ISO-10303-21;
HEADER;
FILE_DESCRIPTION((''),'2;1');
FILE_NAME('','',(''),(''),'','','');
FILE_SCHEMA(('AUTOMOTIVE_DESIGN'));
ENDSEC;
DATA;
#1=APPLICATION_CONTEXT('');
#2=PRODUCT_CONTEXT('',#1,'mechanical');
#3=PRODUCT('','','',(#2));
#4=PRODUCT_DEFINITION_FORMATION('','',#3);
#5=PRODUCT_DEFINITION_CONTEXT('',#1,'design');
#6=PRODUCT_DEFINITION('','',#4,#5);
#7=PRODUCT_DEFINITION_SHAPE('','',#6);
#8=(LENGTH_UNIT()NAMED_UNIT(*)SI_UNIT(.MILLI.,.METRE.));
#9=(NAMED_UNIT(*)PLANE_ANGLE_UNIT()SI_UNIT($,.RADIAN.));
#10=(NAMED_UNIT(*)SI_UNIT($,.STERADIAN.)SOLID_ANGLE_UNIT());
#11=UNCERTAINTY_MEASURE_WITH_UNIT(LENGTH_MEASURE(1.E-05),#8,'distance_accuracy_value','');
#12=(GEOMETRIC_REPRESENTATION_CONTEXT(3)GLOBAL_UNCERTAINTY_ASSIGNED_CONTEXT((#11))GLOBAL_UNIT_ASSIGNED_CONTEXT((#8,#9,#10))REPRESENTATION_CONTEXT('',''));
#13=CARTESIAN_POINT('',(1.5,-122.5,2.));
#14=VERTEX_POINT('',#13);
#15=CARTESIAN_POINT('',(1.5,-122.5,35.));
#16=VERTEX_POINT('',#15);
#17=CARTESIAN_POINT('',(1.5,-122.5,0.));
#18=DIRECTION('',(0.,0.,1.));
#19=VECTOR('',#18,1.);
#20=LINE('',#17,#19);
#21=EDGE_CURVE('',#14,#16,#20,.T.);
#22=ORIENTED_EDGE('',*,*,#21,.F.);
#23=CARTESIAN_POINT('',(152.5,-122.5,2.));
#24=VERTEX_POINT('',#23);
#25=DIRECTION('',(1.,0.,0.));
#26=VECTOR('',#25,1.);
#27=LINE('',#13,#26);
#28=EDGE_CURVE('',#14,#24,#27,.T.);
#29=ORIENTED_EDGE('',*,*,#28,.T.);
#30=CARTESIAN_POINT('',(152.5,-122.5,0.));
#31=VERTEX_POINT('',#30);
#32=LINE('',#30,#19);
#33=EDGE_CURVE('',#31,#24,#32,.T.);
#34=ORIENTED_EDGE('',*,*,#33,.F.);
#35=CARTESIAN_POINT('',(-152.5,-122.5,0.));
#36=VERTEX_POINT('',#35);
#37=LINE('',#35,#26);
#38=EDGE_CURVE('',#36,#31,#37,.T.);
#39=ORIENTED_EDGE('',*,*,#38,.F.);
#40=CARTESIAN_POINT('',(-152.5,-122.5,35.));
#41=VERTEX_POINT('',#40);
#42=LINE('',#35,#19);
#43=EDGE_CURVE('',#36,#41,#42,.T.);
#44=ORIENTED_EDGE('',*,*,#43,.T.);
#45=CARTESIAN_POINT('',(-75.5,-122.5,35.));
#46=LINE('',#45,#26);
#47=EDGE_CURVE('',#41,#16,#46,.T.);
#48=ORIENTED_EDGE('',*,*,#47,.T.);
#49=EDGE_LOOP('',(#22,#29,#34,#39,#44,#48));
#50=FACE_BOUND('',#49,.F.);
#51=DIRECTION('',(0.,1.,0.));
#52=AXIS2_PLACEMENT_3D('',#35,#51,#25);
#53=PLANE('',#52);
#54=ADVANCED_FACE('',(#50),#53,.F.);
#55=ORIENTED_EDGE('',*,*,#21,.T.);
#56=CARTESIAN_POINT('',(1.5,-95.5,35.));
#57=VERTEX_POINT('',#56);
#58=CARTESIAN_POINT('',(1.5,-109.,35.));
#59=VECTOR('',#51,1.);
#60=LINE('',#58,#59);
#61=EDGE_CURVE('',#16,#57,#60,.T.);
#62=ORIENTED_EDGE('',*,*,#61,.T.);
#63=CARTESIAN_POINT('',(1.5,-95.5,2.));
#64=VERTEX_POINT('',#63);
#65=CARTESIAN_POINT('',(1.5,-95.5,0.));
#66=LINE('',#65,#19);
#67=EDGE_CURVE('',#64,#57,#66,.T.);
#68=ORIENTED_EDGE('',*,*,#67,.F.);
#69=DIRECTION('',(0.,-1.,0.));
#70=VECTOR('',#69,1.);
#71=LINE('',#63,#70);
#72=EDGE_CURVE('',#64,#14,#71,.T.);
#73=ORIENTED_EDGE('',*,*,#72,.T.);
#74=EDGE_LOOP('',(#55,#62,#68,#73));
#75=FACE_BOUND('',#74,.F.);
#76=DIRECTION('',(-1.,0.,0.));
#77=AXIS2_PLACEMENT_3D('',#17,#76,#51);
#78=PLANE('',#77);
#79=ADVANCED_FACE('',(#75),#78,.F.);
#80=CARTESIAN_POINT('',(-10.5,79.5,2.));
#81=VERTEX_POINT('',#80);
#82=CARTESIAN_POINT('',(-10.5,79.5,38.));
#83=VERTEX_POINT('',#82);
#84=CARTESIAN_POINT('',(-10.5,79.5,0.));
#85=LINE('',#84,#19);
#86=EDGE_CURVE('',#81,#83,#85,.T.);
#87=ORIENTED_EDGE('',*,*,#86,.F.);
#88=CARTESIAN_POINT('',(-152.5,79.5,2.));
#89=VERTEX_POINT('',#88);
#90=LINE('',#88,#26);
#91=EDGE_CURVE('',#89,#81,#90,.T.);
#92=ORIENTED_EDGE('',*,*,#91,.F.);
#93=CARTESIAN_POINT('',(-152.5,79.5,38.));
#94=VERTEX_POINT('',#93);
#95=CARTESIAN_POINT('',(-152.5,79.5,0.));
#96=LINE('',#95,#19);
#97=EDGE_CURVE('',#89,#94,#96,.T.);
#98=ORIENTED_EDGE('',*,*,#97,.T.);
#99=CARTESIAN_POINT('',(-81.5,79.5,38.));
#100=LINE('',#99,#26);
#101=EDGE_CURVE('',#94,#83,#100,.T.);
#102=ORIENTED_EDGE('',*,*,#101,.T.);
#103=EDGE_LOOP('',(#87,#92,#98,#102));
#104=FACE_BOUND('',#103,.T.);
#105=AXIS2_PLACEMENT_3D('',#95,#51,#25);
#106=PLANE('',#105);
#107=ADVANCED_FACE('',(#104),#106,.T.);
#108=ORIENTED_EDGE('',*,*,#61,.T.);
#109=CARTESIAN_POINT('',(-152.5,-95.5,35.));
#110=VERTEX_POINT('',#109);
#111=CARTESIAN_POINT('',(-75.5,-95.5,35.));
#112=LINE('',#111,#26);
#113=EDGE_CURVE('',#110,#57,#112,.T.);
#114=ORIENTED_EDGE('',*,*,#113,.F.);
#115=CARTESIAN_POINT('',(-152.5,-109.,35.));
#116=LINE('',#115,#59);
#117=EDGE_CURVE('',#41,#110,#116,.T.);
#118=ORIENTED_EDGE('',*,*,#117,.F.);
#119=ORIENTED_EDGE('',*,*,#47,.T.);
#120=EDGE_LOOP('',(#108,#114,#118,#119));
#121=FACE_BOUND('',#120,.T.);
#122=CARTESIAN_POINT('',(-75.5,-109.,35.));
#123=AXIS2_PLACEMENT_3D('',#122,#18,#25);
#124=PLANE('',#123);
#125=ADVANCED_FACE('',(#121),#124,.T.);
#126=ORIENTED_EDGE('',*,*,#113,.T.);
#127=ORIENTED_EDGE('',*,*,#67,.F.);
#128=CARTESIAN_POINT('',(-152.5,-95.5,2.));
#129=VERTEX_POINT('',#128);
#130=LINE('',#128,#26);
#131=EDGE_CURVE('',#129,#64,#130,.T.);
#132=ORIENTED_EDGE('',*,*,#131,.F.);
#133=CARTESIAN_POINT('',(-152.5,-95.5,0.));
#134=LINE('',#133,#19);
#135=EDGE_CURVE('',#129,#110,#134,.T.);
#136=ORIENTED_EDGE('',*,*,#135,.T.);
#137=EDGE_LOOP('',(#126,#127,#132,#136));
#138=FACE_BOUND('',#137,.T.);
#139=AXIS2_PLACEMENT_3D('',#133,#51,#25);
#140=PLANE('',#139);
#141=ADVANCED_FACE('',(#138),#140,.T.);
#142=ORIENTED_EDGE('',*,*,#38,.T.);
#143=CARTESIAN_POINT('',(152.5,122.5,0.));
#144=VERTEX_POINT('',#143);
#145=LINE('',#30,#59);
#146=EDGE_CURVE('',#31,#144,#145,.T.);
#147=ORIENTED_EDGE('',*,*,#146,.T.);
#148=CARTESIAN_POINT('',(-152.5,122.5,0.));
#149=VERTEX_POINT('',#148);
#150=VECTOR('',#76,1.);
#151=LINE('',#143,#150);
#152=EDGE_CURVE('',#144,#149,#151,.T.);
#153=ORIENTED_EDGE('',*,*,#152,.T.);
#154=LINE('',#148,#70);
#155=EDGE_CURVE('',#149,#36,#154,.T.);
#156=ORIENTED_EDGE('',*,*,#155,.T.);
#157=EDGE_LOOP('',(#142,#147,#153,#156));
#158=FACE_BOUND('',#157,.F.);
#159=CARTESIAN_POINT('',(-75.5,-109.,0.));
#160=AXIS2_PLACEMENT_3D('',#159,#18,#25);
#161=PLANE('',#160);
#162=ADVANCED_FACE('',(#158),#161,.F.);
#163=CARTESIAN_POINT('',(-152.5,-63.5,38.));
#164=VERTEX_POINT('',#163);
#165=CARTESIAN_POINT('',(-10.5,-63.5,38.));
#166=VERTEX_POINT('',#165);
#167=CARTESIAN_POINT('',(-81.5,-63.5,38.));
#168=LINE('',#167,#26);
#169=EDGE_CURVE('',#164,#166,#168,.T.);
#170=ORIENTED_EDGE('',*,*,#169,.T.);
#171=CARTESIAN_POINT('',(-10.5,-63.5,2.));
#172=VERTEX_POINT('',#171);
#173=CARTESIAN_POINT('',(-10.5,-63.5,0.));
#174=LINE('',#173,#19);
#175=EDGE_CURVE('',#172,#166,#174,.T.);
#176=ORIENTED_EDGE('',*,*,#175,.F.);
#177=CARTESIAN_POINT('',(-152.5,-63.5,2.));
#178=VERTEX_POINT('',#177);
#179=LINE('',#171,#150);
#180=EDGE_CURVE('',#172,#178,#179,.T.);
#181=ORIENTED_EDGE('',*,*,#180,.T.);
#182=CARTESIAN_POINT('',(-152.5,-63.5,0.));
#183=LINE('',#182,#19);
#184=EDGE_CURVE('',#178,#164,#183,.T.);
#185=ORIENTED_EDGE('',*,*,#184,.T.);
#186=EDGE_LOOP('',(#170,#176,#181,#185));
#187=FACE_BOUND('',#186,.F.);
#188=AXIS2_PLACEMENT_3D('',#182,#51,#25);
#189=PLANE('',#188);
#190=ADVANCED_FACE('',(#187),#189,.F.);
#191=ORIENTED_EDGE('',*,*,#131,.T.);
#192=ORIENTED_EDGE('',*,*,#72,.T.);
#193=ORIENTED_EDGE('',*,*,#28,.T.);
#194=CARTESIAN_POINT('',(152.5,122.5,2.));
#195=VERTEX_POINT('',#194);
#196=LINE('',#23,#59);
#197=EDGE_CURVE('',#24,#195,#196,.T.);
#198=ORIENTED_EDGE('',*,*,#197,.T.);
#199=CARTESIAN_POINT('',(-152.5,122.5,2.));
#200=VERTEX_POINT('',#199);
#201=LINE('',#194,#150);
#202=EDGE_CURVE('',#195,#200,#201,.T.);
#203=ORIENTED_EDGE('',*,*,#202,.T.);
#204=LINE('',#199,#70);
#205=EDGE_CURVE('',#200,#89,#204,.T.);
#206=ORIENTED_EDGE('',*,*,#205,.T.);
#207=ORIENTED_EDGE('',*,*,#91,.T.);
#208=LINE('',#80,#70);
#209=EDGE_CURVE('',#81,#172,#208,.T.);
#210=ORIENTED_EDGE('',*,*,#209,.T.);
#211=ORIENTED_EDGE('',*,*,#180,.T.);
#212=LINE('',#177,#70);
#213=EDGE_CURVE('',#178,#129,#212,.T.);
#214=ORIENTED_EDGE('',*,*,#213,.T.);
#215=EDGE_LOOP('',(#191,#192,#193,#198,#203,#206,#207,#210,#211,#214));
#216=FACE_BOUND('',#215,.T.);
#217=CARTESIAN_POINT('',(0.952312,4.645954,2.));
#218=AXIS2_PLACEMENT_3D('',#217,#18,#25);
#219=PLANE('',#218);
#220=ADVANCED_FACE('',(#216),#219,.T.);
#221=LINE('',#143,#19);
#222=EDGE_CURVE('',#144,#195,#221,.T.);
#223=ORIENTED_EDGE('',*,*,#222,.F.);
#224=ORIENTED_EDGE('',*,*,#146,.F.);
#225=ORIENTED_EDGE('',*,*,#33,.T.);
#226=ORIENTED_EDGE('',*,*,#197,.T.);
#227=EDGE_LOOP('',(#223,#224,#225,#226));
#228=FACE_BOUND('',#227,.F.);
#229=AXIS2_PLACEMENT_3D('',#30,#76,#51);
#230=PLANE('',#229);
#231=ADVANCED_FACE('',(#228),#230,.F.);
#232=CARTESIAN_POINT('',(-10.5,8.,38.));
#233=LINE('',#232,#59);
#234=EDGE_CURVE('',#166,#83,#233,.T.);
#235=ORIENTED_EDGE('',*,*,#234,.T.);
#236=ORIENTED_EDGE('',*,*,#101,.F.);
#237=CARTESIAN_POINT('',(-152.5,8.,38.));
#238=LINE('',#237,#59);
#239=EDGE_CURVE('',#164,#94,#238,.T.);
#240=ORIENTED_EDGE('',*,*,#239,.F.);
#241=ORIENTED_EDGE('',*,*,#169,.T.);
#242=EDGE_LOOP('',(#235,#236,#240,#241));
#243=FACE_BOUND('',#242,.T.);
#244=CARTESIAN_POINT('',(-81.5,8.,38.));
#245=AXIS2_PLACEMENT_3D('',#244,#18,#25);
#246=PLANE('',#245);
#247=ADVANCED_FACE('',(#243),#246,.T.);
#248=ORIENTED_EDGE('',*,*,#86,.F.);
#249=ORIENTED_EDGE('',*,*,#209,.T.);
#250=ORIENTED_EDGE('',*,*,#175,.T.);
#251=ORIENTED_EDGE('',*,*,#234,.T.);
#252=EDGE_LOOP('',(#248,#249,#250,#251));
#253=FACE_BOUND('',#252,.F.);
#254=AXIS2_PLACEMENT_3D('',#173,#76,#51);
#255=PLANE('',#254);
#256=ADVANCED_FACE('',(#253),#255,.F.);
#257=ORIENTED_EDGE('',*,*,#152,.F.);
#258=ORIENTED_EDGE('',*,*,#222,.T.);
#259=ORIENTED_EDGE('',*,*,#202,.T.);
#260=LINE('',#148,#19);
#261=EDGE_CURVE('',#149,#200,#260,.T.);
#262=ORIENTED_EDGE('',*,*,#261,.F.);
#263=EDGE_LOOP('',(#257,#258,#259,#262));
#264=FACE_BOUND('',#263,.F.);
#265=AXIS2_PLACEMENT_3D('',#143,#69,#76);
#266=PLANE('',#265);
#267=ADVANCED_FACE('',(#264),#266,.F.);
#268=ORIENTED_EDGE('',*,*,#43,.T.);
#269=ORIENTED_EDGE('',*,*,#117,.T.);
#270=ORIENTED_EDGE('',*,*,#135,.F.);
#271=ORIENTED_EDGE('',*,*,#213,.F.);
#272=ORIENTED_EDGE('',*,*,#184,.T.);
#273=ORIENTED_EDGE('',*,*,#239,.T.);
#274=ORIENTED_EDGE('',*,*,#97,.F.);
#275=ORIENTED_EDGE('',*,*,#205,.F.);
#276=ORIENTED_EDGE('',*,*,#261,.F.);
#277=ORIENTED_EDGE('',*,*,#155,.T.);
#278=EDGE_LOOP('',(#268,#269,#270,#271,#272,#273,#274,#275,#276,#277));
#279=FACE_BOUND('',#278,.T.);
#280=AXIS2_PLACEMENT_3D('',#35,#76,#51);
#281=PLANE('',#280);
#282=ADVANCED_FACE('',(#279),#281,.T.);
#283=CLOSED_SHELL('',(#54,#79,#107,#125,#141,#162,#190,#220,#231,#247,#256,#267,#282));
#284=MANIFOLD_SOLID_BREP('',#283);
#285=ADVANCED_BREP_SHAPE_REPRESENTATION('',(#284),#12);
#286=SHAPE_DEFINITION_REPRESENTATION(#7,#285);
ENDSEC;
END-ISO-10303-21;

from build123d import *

# Parameters (mm, degrees)
F1_DEPTH = 2
F0_W     = 142
F0_H     = 143
F2_DEPTH = 38
F0_W_2   = 154
F0_H_2   = 27
F3_DEPTH = 35


with BuildPart() as f1:
    # F0 (on Top) → F1 (new body)
    with BuildSketch(Plane.XY):
        Polygon((152.5, 122.5), (-152.5, 122.5), (-152.5, 79.5), (-10.5, 79.5), (-10.5, -63.5), (-152.5, -63.5), (-152.5, -95.5), (1.5, -95.5), (1.5, -122.5), (152.5, -122.5), align=None)
    extrude(amount=F1_DEPTH)

    # F0 (on Top) → F2 (join)
    with BuildSketch(Plane.XY):
        with Locations((-81.5, 8)):
            Rectangle(F0_W, F0_H)
    extrude(amount=F2_DEPTH)

    # F0 (on Top) → F3 (join)
    with BuildSketch(Plane.XY):
        with Locations((-75.5, -109)):
            Rectangle(F0_W_2, F0_H_2)
    extrude(amount=F3_DEPTH)


solid = f1.part
